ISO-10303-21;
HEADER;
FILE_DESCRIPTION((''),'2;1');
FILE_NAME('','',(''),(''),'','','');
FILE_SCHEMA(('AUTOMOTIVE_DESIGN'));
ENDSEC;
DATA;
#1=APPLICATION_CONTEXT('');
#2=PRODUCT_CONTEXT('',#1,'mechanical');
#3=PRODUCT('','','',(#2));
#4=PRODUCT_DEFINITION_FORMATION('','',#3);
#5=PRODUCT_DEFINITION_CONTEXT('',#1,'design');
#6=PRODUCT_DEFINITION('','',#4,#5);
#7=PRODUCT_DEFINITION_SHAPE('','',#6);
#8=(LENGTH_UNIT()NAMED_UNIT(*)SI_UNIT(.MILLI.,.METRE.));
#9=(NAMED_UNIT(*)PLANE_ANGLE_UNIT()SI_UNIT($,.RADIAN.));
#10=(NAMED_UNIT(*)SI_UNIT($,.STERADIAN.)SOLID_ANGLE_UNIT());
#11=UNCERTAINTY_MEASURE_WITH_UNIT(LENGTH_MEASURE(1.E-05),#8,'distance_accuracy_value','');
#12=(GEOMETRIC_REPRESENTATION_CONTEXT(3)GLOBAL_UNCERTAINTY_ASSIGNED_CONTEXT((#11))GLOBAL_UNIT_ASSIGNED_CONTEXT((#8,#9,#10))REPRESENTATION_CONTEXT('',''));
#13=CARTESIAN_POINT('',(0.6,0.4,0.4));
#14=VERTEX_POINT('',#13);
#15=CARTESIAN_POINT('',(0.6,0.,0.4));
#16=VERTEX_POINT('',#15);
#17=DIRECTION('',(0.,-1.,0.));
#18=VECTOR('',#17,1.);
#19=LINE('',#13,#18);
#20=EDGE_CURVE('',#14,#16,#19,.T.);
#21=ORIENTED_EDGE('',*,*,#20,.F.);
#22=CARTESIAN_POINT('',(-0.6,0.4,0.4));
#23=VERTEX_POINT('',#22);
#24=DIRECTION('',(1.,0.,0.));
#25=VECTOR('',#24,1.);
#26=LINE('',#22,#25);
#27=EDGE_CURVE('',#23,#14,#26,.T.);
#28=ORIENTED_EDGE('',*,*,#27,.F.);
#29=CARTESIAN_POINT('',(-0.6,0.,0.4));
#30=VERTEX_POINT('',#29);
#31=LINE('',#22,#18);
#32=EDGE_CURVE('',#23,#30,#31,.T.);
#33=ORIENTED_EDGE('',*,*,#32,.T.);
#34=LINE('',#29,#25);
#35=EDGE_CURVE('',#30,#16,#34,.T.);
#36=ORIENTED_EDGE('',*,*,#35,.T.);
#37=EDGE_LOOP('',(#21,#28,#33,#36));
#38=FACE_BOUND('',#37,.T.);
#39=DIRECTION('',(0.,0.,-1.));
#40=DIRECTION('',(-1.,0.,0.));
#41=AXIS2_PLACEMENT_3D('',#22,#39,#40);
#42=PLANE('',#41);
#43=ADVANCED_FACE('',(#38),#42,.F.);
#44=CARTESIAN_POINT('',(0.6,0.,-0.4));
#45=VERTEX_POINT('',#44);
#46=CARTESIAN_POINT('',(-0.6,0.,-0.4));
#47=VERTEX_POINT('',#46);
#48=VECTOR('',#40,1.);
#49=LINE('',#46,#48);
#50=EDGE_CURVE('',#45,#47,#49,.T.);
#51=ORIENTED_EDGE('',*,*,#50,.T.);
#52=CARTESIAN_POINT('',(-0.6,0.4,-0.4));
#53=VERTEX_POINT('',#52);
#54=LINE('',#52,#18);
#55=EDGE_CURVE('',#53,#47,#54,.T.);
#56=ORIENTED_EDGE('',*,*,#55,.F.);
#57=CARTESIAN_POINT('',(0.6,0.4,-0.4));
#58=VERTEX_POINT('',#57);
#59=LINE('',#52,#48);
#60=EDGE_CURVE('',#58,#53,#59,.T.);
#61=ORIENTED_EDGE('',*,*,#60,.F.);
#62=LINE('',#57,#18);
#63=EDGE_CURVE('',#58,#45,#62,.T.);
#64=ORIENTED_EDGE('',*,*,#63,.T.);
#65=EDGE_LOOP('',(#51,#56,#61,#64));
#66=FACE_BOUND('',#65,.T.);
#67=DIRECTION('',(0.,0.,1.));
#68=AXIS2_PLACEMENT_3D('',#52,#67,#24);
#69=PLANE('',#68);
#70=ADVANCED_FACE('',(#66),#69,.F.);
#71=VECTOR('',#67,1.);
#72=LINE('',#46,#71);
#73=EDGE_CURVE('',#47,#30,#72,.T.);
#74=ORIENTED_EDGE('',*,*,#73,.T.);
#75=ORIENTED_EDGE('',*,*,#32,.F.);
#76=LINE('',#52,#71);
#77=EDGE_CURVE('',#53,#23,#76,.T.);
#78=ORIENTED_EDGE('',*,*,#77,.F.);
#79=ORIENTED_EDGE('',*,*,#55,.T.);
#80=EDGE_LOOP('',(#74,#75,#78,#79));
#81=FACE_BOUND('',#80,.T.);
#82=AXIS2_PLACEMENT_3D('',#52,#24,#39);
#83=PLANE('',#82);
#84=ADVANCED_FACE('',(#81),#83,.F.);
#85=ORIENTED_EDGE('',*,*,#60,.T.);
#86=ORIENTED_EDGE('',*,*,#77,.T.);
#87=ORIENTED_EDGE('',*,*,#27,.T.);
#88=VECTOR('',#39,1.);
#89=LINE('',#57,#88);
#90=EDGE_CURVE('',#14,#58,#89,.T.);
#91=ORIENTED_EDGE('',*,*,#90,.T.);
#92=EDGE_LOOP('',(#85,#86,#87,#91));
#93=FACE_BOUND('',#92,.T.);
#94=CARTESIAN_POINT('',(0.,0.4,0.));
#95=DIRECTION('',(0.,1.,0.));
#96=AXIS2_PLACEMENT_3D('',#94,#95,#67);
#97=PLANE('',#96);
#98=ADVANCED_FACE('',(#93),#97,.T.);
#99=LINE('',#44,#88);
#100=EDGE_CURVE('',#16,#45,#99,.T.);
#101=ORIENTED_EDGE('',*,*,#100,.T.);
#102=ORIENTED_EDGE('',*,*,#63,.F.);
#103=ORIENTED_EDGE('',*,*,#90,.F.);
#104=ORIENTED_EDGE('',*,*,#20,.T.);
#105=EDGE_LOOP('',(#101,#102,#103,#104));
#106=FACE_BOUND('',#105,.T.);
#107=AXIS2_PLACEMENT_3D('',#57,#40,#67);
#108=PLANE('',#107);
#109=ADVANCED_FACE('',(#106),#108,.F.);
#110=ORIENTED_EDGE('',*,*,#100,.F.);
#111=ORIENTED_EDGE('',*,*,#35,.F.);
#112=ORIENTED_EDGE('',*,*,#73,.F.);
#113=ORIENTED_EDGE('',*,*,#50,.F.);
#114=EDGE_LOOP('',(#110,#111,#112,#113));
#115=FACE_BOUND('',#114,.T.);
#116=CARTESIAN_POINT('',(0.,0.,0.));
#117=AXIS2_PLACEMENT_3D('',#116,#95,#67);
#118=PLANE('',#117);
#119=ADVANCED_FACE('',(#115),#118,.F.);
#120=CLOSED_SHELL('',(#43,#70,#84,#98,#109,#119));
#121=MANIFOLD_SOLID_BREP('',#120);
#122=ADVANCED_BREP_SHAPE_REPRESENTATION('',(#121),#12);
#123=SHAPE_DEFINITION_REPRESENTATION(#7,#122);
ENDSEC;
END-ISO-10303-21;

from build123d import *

# Parameters (mm, degrees)
BASES_W    = 1.2
BASES_H    = 0.8
BASE_DEPTH = 0.4


with BuildPart() as part:
    # BaseS → Base (new body)
    with BuildSketch(Plane(origin=(0, 0, 0), x_dir=(1, 0, 0), z_dir=(0, 1, 0))):
        Rectangle(BASES_W, BASES_H)
    extrude(amount=BASE_DEPTH)


solid = part.part
